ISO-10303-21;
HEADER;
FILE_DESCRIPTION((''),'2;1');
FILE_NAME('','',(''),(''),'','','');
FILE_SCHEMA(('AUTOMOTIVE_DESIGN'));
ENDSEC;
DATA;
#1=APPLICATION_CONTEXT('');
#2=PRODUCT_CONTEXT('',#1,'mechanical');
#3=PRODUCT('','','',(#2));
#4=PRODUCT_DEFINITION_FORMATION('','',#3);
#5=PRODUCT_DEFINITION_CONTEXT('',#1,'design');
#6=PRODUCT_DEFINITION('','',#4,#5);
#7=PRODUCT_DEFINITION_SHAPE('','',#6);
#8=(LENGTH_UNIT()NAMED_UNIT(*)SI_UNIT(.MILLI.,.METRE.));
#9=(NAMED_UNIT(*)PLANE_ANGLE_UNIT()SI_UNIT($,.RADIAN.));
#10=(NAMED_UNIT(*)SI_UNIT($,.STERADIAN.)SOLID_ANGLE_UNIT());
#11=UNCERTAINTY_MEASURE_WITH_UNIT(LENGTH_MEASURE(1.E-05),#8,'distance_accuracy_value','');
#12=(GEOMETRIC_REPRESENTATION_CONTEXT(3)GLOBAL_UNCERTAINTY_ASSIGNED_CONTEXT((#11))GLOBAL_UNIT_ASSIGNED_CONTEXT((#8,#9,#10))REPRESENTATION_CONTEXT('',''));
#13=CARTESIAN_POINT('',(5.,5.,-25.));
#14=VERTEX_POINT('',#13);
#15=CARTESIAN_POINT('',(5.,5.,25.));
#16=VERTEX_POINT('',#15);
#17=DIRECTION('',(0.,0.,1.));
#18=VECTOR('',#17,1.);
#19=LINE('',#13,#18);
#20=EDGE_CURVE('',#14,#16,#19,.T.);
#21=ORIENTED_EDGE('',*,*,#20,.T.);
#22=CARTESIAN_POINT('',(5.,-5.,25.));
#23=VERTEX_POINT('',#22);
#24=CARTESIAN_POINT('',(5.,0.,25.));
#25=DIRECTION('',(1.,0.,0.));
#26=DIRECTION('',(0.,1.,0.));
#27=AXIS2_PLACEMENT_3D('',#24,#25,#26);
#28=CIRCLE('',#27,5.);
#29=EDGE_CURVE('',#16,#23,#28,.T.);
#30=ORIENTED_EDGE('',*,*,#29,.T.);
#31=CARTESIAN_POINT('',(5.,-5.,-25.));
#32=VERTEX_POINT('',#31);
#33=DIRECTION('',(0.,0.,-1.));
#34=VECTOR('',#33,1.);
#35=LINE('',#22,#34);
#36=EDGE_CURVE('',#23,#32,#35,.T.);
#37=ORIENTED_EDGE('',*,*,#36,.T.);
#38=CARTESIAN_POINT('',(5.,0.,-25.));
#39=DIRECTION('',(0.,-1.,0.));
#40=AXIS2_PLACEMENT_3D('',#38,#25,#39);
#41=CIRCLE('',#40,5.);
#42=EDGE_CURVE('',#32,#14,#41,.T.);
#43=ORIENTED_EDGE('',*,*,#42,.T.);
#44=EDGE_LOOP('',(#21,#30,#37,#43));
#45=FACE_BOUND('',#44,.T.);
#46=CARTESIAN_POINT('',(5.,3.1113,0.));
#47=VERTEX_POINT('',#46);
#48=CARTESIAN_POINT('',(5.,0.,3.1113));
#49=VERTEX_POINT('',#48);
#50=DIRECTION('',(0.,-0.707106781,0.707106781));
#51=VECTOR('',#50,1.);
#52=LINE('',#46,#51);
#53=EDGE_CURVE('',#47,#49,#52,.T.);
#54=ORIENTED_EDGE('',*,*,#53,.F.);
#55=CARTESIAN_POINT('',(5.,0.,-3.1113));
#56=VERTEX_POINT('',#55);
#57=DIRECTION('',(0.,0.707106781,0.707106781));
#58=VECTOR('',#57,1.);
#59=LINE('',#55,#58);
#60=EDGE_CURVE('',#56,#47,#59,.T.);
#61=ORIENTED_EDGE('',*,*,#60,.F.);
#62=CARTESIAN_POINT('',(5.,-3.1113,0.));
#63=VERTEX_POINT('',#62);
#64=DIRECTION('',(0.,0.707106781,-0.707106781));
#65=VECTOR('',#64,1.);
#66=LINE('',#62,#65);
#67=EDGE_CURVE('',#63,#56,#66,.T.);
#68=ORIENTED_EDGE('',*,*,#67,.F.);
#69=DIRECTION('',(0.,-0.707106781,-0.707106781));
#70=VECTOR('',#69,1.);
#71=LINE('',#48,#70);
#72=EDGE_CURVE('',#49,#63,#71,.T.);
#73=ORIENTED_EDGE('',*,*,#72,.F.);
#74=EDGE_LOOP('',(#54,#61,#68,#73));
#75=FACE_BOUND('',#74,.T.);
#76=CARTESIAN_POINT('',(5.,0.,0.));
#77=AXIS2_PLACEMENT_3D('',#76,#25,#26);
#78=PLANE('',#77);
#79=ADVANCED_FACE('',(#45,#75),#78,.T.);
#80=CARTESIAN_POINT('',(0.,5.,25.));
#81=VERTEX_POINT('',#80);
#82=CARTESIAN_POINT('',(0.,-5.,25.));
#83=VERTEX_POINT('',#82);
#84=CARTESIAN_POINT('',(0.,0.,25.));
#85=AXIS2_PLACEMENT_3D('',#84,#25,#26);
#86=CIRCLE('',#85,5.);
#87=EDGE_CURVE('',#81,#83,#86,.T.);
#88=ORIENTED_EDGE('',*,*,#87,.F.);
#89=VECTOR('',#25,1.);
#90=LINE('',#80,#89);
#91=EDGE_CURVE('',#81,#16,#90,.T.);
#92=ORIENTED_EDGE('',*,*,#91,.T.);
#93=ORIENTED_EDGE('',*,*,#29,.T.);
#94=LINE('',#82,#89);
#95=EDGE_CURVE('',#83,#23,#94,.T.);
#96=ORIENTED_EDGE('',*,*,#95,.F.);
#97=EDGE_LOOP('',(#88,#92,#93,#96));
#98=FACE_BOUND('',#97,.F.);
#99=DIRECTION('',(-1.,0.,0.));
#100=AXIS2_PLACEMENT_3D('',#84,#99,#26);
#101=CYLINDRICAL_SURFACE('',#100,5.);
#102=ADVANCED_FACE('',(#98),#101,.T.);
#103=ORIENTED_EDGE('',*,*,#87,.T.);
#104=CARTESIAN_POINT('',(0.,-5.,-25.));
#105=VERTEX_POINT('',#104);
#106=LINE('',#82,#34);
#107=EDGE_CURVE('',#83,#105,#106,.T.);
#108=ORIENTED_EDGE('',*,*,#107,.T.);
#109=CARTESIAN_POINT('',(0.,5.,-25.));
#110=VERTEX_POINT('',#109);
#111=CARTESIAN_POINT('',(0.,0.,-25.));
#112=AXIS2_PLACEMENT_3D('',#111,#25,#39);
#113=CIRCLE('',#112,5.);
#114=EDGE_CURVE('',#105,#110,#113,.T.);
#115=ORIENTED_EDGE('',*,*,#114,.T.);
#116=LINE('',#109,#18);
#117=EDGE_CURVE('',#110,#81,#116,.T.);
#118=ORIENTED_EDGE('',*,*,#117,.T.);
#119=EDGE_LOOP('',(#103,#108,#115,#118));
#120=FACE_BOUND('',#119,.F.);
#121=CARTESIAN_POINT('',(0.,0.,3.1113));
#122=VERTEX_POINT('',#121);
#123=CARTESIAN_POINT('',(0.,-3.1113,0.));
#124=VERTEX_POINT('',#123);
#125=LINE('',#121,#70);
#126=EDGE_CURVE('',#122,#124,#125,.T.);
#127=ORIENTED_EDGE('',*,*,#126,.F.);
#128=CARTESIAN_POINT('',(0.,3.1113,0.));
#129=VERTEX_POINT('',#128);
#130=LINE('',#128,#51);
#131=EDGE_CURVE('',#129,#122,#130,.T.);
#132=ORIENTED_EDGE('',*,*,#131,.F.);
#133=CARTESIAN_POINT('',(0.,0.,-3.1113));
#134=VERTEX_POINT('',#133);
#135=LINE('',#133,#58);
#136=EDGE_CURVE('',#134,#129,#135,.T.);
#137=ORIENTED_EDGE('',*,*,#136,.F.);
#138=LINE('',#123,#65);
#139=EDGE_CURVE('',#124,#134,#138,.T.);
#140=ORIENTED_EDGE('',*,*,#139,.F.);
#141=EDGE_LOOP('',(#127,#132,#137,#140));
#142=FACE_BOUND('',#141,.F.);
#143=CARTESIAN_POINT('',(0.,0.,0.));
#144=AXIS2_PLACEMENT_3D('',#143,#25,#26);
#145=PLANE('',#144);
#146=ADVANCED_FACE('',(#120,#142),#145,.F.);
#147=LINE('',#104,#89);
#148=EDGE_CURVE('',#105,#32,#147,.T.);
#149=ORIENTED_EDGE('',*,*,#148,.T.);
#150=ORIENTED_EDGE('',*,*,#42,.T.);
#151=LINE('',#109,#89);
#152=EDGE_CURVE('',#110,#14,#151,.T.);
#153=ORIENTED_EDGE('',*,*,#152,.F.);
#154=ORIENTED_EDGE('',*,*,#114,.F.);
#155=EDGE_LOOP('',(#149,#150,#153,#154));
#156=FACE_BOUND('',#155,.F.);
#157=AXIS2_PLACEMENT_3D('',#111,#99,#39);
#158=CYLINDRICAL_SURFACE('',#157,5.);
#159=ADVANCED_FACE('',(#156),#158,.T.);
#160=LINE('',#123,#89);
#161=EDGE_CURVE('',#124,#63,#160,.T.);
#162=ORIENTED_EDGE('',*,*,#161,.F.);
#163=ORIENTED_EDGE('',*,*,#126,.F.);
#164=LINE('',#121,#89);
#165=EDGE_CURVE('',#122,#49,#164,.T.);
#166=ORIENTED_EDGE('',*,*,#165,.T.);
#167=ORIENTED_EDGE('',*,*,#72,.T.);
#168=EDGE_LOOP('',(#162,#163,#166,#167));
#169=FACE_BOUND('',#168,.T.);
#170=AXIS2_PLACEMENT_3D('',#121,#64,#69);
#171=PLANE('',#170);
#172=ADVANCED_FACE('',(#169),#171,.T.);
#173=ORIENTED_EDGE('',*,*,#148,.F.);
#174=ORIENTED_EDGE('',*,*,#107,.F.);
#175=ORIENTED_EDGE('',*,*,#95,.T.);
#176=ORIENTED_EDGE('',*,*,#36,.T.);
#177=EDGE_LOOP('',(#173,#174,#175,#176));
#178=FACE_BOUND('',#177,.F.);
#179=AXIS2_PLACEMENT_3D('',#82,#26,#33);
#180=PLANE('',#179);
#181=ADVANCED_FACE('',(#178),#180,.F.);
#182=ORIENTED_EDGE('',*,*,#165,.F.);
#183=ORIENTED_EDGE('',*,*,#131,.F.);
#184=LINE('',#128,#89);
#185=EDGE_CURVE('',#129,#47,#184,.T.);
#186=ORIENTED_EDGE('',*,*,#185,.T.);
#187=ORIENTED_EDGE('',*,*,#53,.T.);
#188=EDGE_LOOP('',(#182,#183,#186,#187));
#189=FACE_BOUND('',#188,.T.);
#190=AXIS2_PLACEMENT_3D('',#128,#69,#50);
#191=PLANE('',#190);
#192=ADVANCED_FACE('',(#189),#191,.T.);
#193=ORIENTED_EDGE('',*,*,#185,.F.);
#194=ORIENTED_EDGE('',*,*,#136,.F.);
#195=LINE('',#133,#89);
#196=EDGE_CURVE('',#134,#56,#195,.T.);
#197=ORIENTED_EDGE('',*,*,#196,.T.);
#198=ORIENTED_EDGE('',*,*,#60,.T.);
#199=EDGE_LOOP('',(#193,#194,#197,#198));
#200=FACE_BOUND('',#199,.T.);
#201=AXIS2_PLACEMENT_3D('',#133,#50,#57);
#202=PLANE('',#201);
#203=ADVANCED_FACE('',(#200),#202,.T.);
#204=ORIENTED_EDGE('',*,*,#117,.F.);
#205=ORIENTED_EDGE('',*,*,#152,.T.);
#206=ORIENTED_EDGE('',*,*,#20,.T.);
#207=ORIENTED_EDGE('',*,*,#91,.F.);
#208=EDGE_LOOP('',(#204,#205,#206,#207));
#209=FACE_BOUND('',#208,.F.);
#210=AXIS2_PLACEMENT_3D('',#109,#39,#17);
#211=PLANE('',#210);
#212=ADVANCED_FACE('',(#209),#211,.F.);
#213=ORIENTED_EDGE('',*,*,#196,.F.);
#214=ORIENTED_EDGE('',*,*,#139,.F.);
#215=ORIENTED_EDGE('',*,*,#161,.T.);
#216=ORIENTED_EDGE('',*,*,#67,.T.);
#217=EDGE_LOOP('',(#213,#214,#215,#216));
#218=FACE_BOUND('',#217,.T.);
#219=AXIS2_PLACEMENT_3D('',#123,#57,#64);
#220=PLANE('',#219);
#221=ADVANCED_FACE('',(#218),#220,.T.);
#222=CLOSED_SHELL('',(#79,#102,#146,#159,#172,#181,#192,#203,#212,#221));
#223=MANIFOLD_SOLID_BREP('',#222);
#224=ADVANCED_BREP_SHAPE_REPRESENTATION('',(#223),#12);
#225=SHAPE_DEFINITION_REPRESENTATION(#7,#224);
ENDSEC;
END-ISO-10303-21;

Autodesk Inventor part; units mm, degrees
ref_plane "YZ Plane" through (0, 0, 0) normal (1, 0, 0) x (0, 1, 0)
ref_plane "XZ Plane" through (0, 0, 0) normal (0, 1, 0) x (-1, 0, 0)
ref_plane "XY Plane" through (0, 0, 0) normal (0, 0, 1) x (1, 0, 0)
sketch "스케치1" plane through (0, 0, 0) normal (1, 0, 0) x (0, 1, 0)
  line L0 (0, 25) -> (0, -25) construction
  line L1 (-5, 25) -> (-5, -25)
  line L2 (5, -25) -> (5, 25)
  arc A0 (5, 25) -> (-5, 25) centre (0, 25) ccw
  arc A1 (-5, -25) -> (5, -25) centre (0, -25) ccw
  line L3 (0, 3.1113) -> (-3.1113, 0)
  line L4 (-3.1113, 0) -> (0, -3.1113)
  line L5 (0, -3.1113) -> (3.1113, 0)
  line L6 (3.1113, 0) -> (0, 3.1113)
  point P0 (0, 0)
  point P1 (0, 0)
  dimension "d0" = 50
  dimension "d1" = 5
  dimension "d2" = 4.4
extrude "돌출1" add sketch "스케치1" along normal blind 5
properties part number "lever_handle"
